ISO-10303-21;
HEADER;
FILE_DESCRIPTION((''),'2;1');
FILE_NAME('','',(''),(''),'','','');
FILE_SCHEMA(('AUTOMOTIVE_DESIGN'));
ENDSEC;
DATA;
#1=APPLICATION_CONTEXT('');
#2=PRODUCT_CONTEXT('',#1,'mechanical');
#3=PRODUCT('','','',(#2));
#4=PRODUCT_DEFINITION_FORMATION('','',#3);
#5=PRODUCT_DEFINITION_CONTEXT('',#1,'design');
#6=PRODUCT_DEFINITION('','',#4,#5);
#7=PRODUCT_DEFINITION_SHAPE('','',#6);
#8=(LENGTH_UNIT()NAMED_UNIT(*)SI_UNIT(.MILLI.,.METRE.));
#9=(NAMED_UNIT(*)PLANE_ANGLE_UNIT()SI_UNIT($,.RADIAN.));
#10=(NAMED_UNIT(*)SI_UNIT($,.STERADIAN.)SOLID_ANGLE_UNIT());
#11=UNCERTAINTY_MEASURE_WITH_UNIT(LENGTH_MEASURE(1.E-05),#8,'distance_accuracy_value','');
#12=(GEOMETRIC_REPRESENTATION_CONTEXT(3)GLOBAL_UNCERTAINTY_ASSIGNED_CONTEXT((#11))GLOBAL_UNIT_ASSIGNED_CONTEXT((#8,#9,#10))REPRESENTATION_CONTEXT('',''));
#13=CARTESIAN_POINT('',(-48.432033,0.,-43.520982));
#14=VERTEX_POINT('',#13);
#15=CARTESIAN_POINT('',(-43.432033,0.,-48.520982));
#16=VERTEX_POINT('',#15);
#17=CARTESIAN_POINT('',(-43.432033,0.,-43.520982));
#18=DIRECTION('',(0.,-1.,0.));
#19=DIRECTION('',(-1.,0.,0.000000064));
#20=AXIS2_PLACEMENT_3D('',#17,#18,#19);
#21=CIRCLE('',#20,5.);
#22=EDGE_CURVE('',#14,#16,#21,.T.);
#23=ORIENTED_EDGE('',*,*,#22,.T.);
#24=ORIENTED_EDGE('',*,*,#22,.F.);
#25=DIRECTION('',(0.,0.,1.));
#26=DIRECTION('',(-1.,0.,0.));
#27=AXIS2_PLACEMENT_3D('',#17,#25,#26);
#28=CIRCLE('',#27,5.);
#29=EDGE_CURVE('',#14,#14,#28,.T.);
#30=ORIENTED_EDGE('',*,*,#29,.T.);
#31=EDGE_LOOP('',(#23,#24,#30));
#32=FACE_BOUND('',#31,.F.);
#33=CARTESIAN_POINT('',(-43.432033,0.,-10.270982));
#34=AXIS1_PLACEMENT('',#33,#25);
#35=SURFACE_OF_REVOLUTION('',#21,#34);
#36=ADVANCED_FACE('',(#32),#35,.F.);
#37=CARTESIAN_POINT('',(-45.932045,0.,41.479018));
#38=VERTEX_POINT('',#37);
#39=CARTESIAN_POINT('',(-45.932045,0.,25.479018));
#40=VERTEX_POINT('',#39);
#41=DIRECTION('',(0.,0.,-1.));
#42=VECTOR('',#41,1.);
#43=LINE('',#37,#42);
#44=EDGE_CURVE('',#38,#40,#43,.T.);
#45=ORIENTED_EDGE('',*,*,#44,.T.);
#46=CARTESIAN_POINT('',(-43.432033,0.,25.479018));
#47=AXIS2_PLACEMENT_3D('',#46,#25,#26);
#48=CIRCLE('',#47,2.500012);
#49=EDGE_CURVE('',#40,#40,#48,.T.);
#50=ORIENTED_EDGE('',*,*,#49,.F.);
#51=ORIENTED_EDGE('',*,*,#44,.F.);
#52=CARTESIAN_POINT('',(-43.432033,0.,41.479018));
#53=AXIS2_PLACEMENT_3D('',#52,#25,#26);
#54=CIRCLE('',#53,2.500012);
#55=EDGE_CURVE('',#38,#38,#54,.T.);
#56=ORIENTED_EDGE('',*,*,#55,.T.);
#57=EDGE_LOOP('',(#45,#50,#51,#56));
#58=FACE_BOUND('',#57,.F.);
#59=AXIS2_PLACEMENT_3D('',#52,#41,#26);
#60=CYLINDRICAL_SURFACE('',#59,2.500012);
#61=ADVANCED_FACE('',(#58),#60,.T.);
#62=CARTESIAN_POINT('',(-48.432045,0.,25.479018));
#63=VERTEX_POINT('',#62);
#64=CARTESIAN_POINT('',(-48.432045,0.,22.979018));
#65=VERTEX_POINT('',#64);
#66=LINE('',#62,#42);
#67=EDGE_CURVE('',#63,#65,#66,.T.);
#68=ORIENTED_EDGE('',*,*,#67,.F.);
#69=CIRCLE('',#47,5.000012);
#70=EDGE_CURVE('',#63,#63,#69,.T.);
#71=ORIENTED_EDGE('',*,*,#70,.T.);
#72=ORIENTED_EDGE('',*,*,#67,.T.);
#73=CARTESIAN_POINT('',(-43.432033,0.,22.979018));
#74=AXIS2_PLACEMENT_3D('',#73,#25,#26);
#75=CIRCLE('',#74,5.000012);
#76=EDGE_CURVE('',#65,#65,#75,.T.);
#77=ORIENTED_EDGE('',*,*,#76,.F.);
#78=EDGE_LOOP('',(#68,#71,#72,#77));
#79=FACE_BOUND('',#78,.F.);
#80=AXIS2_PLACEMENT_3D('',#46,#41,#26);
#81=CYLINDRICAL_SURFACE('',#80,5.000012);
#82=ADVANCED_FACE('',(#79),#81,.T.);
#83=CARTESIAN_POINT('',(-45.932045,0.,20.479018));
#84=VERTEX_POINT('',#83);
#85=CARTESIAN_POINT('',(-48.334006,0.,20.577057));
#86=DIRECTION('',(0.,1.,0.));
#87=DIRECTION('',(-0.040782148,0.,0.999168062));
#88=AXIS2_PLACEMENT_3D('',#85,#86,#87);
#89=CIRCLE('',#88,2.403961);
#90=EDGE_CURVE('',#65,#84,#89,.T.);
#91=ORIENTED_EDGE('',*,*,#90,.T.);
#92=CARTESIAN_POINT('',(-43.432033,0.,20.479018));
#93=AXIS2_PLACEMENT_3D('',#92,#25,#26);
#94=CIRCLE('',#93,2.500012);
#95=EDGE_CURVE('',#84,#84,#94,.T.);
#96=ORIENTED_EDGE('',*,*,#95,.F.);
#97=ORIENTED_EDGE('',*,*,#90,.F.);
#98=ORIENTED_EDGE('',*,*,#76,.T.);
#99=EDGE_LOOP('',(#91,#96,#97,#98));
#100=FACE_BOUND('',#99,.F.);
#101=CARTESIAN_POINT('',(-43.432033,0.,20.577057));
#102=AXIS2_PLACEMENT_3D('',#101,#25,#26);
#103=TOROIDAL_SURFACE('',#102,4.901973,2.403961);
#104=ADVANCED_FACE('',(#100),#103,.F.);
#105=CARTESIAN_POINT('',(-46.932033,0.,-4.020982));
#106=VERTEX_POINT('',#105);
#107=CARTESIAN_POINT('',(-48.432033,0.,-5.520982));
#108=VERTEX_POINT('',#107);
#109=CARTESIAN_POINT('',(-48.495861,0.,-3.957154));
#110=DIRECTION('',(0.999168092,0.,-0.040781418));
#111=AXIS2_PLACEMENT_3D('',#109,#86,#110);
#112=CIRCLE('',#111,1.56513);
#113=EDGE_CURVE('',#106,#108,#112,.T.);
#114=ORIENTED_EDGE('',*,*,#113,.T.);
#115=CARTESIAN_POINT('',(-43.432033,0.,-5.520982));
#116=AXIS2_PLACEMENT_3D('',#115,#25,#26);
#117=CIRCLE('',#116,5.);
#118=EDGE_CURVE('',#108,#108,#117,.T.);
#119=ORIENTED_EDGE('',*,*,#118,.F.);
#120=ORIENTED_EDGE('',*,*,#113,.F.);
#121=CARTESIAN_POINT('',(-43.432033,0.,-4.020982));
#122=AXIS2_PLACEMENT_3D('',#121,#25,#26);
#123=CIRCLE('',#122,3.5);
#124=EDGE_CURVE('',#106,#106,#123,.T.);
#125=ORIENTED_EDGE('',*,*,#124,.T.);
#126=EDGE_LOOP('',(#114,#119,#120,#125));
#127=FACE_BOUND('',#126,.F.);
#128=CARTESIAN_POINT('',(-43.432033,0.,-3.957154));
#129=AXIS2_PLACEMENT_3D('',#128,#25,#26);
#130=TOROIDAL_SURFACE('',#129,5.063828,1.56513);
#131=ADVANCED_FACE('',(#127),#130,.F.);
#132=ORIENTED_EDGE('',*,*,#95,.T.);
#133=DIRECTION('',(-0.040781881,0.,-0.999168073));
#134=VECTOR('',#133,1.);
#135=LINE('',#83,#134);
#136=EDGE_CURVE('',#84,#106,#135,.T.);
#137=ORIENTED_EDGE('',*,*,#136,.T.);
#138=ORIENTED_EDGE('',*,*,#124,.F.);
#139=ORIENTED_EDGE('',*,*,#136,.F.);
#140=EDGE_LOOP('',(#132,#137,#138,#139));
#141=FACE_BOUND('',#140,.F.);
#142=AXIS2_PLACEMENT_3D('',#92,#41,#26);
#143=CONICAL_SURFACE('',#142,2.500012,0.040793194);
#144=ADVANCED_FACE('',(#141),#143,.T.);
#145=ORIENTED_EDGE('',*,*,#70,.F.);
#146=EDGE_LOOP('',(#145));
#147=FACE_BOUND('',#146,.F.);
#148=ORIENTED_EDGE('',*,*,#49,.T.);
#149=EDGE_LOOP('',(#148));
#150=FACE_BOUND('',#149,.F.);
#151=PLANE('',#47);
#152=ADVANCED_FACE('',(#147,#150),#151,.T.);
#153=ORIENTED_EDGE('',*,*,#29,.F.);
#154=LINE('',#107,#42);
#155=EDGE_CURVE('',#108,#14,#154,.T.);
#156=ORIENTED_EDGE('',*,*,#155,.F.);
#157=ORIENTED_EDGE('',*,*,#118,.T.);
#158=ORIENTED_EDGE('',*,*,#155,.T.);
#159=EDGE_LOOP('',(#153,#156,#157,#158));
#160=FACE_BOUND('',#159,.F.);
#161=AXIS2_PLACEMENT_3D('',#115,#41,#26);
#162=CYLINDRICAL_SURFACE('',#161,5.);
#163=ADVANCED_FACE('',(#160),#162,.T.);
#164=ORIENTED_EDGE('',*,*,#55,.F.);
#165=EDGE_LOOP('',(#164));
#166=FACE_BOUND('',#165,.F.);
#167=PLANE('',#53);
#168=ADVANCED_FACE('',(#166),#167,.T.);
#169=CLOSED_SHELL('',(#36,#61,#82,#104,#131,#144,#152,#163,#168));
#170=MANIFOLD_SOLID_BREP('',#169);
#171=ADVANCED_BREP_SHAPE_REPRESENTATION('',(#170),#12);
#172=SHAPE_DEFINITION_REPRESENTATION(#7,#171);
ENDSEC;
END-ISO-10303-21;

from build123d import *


with BuildPart() as f1:
    # F0 (on Front) → F1 (revolve)
    with BuildSketch(Plane.XZ):
        with BuildLine():
            Line((-48.432033, -5.520982), (-48.432033, -43.520982))
            ThreePointArc((-48.432033, -43.520982), (-46.967567, -47.056516), (-43.432033, -48.520982))
            Line((-43.432033, -48.520982), (-43.432033, -43.520982))
            Line((-43.432033, -43.520982), (-43.432033, 22.979018))
            Line((-43.432033, 22.979018), (-43.432033, 25.479018))
            Line((-43.432033, 25.479018), (-43.432033, 41.479018))
            Line((-43.432033, 41.479018), (-45.932045, 41.479018))
            Line((-45.932045, 41.479018), (-45.932045, 25.479018))
            Line((-45.932045, 25.479018), (-48.432045, 25.479018))
            Line((-48.432045, 25.479018), (-48.432045, 22.979018))
            ThreePointArc((-48.432045, 22.979018), (-46.634149, 22.276914), (-45.932045, 20.479018))
            Line((-45.932045, 20.479018), (-46.932033, -4.020982))
            ThreePointArc((-46.932033, -4.020982), (-47.389147, -5.063868), (-48.432033, -5.520982))
        make_face()
    revolve(axis=Axis((-43.432033, 0, -10.270982), (0, 0, 1)))


solid = f1.part
